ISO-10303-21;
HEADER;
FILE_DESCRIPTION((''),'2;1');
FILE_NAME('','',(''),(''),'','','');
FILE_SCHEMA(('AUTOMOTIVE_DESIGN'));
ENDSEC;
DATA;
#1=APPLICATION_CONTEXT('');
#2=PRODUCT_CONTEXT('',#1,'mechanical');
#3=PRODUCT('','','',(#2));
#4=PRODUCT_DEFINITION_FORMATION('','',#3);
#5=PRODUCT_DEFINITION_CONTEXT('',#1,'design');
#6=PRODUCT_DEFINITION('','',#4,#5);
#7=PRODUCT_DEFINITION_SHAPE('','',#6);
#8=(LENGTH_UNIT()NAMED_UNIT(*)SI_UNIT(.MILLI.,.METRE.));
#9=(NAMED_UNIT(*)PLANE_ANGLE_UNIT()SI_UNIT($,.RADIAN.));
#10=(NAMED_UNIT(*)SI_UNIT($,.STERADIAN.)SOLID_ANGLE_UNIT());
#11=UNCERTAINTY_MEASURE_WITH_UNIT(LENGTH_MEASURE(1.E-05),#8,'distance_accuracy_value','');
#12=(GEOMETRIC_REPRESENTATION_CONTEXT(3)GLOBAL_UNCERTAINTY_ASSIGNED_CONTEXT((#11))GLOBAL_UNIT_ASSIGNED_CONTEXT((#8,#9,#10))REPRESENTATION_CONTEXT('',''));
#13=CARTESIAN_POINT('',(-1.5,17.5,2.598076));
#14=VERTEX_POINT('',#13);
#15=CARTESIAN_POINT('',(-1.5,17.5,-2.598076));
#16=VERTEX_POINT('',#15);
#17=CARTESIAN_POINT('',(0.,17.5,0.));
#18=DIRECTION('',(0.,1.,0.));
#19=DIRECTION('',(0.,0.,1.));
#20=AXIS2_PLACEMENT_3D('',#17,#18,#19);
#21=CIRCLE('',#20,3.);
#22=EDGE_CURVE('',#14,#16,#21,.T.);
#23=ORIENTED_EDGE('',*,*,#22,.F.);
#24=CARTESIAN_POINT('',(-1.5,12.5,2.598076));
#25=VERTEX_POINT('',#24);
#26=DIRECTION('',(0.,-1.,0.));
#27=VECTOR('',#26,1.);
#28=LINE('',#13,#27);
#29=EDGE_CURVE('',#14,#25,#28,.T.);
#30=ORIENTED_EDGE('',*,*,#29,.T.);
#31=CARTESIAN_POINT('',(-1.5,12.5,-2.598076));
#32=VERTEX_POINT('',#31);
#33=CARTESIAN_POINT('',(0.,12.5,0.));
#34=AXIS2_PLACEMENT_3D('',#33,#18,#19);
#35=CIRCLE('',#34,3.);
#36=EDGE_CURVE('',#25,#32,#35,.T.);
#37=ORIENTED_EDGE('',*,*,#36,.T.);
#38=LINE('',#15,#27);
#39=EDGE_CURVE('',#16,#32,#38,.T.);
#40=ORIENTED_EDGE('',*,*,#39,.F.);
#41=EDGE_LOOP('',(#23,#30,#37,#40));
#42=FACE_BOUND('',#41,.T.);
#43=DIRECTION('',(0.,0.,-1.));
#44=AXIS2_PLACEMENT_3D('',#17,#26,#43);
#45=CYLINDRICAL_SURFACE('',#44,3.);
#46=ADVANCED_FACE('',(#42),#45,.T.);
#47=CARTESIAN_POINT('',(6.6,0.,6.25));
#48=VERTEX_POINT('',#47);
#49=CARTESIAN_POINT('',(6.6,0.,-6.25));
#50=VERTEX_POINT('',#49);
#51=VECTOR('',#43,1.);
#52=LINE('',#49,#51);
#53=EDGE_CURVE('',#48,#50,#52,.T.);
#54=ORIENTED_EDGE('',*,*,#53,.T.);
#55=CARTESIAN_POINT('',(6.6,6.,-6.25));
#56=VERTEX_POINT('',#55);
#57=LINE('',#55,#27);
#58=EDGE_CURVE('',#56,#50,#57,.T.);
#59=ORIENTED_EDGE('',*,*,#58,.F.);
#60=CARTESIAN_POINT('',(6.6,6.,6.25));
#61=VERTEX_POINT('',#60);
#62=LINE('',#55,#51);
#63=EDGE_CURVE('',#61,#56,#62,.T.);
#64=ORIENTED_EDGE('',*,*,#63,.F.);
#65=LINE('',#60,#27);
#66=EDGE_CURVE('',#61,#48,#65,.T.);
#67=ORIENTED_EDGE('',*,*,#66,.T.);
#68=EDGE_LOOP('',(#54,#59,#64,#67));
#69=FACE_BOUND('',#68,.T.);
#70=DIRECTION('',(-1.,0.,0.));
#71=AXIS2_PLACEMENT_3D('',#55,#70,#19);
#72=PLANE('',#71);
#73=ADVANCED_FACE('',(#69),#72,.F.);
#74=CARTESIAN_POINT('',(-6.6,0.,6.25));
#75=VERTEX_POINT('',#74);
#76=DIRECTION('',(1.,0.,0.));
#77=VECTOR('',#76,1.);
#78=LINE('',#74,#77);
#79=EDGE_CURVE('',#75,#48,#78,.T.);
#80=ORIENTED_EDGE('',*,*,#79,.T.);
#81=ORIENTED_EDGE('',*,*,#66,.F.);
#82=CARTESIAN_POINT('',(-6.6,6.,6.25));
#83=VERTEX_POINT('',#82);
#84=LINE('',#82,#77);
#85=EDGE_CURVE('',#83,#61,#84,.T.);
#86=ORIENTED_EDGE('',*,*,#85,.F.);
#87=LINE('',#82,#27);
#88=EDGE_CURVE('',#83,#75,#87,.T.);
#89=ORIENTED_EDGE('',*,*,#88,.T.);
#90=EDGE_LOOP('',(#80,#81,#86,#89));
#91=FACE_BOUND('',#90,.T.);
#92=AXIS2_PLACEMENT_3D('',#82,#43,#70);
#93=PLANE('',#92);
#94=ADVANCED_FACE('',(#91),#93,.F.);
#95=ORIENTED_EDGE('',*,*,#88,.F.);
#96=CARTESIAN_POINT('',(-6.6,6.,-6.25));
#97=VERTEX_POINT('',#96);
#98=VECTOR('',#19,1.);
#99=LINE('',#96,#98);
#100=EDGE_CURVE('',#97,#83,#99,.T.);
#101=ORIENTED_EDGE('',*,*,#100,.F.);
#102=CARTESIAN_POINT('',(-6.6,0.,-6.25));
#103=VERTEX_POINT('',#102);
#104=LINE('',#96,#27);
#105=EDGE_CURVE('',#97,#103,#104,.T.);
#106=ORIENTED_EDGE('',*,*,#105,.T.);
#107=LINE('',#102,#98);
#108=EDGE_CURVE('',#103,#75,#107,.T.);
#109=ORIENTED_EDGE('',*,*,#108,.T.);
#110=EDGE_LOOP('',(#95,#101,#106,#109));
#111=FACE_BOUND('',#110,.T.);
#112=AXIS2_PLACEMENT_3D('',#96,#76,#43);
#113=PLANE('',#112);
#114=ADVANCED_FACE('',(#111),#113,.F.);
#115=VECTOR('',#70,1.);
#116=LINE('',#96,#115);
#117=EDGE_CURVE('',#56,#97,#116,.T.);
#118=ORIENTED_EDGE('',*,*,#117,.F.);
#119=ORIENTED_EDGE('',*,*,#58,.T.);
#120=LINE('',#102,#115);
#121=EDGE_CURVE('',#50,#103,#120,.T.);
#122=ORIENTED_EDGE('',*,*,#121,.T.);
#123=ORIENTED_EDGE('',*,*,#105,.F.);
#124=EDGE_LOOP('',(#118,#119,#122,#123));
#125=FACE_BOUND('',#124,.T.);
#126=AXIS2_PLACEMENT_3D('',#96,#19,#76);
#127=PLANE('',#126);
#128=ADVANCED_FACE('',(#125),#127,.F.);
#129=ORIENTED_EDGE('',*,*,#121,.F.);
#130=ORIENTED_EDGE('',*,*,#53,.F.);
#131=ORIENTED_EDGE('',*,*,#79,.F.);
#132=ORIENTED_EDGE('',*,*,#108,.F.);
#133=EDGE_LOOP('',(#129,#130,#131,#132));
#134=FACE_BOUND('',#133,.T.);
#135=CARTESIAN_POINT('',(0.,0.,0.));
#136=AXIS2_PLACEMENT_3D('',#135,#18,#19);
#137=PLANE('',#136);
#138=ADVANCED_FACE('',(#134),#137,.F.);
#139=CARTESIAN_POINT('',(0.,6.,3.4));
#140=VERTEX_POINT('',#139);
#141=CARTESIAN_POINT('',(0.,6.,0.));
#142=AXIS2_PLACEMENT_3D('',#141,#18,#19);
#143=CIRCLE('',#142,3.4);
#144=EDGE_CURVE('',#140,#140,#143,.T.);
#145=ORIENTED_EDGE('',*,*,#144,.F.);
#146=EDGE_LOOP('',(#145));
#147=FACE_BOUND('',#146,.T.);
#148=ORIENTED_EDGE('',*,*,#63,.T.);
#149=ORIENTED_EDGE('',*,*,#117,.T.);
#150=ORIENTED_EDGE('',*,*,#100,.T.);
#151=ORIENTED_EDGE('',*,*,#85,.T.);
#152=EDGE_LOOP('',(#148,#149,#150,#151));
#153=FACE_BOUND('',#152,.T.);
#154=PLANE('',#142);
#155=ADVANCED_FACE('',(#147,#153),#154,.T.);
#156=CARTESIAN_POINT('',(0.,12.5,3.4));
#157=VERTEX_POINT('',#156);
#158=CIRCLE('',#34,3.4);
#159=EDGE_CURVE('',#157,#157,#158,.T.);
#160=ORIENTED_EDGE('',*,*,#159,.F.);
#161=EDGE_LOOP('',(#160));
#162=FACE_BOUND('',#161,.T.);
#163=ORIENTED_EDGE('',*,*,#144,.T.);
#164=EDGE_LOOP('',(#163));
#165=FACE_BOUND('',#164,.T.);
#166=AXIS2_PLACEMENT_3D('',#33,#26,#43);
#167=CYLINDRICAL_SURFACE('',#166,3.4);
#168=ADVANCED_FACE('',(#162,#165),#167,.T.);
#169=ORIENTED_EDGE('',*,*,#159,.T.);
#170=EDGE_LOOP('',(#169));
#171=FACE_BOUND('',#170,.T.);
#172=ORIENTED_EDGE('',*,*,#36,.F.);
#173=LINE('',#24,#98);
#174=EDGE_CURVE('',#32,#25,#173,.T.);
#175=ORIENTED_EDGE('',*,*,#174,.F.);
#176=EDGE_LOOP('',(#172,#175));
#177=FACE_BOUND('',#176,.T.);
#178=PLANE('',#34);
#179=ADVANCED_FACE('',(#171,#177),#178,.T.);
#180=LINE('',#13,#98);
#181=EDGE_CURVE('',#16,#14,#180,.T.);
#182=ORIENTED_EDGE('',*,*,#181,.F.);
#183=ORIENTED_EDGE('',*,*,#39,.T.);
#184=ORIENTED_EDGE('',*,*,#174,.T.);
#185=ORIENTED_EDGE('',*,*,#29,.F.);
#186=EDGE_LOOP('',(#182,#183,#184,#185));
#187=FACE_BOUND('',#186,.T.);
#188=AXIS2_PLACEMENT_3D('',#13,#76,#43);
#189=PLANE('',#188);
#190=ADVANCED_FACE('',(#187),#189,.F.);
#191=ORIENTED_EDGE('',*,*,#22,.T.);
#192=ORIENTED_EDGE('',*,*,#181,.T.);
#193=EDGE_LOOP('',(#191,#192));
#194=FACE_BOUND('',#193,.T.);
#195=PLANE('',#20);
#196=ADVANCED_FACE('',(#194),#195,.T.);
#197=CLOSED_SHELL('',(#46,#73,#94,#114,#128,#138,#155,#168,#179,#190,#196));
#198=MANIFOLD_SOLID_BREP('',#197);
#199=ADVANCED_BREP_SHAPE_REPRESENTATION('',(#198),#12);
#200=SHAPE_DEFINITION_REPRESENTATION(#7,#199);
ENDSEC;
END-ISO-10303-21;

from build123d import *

# Parameters (mm, degrees)
SKETCH1_W           = 13.2
SKETCH1_H           = 12.5
BOSS_EXTRUDE1_DEPTH = 6
SKETCH2_R           = 3.4
BOSS_EXTRUDE2_DEPTH = 6.5
BOSS_EXTRUDE3_DEPTH = 5


with BuildPart() as part:
    # Sketch1 → Boss-Extrude1 (new body)
    with BuildSketch(Plane(origin=(0, 0, 0), x_dir=(1, 0, 0), z_dir=(0, 1, 0))):
        Rectangle(SKETCH1_W, SKETCH1_H)
    extrude(amount=BOSS_EXTRUDE1_DEPTH)

    # Sketch2 → Boss-Extrude2 (add)
    with BuildSketch(Plane(origin=(0, 6, 0), x_dir=(1, 0, 0), z_dir=(0, 1, 0))):
        Circle(SKETCH2_R)
    extrude(amount=BOSS_EXTRUDE2_DEPTH)

    # Sketch3 → Boss-Extrude3 (add)
    with BuildSketch(Plane(origin=(0, 12.5, 0), x_dir=(1, 0, 0), z_dir=(0, 1, 0))):
        with BuildLine():
            Line((-1.5, -2.598076211), (-1.5, 2.598076211))
            ThreePointArc((-1.5, 2.598076211), (3, 0), (-1.5, -2.598076211))
        make_face()
    extrude(amount=BOSS_EXTRUDE3_DEPTH)


solid = part.part
